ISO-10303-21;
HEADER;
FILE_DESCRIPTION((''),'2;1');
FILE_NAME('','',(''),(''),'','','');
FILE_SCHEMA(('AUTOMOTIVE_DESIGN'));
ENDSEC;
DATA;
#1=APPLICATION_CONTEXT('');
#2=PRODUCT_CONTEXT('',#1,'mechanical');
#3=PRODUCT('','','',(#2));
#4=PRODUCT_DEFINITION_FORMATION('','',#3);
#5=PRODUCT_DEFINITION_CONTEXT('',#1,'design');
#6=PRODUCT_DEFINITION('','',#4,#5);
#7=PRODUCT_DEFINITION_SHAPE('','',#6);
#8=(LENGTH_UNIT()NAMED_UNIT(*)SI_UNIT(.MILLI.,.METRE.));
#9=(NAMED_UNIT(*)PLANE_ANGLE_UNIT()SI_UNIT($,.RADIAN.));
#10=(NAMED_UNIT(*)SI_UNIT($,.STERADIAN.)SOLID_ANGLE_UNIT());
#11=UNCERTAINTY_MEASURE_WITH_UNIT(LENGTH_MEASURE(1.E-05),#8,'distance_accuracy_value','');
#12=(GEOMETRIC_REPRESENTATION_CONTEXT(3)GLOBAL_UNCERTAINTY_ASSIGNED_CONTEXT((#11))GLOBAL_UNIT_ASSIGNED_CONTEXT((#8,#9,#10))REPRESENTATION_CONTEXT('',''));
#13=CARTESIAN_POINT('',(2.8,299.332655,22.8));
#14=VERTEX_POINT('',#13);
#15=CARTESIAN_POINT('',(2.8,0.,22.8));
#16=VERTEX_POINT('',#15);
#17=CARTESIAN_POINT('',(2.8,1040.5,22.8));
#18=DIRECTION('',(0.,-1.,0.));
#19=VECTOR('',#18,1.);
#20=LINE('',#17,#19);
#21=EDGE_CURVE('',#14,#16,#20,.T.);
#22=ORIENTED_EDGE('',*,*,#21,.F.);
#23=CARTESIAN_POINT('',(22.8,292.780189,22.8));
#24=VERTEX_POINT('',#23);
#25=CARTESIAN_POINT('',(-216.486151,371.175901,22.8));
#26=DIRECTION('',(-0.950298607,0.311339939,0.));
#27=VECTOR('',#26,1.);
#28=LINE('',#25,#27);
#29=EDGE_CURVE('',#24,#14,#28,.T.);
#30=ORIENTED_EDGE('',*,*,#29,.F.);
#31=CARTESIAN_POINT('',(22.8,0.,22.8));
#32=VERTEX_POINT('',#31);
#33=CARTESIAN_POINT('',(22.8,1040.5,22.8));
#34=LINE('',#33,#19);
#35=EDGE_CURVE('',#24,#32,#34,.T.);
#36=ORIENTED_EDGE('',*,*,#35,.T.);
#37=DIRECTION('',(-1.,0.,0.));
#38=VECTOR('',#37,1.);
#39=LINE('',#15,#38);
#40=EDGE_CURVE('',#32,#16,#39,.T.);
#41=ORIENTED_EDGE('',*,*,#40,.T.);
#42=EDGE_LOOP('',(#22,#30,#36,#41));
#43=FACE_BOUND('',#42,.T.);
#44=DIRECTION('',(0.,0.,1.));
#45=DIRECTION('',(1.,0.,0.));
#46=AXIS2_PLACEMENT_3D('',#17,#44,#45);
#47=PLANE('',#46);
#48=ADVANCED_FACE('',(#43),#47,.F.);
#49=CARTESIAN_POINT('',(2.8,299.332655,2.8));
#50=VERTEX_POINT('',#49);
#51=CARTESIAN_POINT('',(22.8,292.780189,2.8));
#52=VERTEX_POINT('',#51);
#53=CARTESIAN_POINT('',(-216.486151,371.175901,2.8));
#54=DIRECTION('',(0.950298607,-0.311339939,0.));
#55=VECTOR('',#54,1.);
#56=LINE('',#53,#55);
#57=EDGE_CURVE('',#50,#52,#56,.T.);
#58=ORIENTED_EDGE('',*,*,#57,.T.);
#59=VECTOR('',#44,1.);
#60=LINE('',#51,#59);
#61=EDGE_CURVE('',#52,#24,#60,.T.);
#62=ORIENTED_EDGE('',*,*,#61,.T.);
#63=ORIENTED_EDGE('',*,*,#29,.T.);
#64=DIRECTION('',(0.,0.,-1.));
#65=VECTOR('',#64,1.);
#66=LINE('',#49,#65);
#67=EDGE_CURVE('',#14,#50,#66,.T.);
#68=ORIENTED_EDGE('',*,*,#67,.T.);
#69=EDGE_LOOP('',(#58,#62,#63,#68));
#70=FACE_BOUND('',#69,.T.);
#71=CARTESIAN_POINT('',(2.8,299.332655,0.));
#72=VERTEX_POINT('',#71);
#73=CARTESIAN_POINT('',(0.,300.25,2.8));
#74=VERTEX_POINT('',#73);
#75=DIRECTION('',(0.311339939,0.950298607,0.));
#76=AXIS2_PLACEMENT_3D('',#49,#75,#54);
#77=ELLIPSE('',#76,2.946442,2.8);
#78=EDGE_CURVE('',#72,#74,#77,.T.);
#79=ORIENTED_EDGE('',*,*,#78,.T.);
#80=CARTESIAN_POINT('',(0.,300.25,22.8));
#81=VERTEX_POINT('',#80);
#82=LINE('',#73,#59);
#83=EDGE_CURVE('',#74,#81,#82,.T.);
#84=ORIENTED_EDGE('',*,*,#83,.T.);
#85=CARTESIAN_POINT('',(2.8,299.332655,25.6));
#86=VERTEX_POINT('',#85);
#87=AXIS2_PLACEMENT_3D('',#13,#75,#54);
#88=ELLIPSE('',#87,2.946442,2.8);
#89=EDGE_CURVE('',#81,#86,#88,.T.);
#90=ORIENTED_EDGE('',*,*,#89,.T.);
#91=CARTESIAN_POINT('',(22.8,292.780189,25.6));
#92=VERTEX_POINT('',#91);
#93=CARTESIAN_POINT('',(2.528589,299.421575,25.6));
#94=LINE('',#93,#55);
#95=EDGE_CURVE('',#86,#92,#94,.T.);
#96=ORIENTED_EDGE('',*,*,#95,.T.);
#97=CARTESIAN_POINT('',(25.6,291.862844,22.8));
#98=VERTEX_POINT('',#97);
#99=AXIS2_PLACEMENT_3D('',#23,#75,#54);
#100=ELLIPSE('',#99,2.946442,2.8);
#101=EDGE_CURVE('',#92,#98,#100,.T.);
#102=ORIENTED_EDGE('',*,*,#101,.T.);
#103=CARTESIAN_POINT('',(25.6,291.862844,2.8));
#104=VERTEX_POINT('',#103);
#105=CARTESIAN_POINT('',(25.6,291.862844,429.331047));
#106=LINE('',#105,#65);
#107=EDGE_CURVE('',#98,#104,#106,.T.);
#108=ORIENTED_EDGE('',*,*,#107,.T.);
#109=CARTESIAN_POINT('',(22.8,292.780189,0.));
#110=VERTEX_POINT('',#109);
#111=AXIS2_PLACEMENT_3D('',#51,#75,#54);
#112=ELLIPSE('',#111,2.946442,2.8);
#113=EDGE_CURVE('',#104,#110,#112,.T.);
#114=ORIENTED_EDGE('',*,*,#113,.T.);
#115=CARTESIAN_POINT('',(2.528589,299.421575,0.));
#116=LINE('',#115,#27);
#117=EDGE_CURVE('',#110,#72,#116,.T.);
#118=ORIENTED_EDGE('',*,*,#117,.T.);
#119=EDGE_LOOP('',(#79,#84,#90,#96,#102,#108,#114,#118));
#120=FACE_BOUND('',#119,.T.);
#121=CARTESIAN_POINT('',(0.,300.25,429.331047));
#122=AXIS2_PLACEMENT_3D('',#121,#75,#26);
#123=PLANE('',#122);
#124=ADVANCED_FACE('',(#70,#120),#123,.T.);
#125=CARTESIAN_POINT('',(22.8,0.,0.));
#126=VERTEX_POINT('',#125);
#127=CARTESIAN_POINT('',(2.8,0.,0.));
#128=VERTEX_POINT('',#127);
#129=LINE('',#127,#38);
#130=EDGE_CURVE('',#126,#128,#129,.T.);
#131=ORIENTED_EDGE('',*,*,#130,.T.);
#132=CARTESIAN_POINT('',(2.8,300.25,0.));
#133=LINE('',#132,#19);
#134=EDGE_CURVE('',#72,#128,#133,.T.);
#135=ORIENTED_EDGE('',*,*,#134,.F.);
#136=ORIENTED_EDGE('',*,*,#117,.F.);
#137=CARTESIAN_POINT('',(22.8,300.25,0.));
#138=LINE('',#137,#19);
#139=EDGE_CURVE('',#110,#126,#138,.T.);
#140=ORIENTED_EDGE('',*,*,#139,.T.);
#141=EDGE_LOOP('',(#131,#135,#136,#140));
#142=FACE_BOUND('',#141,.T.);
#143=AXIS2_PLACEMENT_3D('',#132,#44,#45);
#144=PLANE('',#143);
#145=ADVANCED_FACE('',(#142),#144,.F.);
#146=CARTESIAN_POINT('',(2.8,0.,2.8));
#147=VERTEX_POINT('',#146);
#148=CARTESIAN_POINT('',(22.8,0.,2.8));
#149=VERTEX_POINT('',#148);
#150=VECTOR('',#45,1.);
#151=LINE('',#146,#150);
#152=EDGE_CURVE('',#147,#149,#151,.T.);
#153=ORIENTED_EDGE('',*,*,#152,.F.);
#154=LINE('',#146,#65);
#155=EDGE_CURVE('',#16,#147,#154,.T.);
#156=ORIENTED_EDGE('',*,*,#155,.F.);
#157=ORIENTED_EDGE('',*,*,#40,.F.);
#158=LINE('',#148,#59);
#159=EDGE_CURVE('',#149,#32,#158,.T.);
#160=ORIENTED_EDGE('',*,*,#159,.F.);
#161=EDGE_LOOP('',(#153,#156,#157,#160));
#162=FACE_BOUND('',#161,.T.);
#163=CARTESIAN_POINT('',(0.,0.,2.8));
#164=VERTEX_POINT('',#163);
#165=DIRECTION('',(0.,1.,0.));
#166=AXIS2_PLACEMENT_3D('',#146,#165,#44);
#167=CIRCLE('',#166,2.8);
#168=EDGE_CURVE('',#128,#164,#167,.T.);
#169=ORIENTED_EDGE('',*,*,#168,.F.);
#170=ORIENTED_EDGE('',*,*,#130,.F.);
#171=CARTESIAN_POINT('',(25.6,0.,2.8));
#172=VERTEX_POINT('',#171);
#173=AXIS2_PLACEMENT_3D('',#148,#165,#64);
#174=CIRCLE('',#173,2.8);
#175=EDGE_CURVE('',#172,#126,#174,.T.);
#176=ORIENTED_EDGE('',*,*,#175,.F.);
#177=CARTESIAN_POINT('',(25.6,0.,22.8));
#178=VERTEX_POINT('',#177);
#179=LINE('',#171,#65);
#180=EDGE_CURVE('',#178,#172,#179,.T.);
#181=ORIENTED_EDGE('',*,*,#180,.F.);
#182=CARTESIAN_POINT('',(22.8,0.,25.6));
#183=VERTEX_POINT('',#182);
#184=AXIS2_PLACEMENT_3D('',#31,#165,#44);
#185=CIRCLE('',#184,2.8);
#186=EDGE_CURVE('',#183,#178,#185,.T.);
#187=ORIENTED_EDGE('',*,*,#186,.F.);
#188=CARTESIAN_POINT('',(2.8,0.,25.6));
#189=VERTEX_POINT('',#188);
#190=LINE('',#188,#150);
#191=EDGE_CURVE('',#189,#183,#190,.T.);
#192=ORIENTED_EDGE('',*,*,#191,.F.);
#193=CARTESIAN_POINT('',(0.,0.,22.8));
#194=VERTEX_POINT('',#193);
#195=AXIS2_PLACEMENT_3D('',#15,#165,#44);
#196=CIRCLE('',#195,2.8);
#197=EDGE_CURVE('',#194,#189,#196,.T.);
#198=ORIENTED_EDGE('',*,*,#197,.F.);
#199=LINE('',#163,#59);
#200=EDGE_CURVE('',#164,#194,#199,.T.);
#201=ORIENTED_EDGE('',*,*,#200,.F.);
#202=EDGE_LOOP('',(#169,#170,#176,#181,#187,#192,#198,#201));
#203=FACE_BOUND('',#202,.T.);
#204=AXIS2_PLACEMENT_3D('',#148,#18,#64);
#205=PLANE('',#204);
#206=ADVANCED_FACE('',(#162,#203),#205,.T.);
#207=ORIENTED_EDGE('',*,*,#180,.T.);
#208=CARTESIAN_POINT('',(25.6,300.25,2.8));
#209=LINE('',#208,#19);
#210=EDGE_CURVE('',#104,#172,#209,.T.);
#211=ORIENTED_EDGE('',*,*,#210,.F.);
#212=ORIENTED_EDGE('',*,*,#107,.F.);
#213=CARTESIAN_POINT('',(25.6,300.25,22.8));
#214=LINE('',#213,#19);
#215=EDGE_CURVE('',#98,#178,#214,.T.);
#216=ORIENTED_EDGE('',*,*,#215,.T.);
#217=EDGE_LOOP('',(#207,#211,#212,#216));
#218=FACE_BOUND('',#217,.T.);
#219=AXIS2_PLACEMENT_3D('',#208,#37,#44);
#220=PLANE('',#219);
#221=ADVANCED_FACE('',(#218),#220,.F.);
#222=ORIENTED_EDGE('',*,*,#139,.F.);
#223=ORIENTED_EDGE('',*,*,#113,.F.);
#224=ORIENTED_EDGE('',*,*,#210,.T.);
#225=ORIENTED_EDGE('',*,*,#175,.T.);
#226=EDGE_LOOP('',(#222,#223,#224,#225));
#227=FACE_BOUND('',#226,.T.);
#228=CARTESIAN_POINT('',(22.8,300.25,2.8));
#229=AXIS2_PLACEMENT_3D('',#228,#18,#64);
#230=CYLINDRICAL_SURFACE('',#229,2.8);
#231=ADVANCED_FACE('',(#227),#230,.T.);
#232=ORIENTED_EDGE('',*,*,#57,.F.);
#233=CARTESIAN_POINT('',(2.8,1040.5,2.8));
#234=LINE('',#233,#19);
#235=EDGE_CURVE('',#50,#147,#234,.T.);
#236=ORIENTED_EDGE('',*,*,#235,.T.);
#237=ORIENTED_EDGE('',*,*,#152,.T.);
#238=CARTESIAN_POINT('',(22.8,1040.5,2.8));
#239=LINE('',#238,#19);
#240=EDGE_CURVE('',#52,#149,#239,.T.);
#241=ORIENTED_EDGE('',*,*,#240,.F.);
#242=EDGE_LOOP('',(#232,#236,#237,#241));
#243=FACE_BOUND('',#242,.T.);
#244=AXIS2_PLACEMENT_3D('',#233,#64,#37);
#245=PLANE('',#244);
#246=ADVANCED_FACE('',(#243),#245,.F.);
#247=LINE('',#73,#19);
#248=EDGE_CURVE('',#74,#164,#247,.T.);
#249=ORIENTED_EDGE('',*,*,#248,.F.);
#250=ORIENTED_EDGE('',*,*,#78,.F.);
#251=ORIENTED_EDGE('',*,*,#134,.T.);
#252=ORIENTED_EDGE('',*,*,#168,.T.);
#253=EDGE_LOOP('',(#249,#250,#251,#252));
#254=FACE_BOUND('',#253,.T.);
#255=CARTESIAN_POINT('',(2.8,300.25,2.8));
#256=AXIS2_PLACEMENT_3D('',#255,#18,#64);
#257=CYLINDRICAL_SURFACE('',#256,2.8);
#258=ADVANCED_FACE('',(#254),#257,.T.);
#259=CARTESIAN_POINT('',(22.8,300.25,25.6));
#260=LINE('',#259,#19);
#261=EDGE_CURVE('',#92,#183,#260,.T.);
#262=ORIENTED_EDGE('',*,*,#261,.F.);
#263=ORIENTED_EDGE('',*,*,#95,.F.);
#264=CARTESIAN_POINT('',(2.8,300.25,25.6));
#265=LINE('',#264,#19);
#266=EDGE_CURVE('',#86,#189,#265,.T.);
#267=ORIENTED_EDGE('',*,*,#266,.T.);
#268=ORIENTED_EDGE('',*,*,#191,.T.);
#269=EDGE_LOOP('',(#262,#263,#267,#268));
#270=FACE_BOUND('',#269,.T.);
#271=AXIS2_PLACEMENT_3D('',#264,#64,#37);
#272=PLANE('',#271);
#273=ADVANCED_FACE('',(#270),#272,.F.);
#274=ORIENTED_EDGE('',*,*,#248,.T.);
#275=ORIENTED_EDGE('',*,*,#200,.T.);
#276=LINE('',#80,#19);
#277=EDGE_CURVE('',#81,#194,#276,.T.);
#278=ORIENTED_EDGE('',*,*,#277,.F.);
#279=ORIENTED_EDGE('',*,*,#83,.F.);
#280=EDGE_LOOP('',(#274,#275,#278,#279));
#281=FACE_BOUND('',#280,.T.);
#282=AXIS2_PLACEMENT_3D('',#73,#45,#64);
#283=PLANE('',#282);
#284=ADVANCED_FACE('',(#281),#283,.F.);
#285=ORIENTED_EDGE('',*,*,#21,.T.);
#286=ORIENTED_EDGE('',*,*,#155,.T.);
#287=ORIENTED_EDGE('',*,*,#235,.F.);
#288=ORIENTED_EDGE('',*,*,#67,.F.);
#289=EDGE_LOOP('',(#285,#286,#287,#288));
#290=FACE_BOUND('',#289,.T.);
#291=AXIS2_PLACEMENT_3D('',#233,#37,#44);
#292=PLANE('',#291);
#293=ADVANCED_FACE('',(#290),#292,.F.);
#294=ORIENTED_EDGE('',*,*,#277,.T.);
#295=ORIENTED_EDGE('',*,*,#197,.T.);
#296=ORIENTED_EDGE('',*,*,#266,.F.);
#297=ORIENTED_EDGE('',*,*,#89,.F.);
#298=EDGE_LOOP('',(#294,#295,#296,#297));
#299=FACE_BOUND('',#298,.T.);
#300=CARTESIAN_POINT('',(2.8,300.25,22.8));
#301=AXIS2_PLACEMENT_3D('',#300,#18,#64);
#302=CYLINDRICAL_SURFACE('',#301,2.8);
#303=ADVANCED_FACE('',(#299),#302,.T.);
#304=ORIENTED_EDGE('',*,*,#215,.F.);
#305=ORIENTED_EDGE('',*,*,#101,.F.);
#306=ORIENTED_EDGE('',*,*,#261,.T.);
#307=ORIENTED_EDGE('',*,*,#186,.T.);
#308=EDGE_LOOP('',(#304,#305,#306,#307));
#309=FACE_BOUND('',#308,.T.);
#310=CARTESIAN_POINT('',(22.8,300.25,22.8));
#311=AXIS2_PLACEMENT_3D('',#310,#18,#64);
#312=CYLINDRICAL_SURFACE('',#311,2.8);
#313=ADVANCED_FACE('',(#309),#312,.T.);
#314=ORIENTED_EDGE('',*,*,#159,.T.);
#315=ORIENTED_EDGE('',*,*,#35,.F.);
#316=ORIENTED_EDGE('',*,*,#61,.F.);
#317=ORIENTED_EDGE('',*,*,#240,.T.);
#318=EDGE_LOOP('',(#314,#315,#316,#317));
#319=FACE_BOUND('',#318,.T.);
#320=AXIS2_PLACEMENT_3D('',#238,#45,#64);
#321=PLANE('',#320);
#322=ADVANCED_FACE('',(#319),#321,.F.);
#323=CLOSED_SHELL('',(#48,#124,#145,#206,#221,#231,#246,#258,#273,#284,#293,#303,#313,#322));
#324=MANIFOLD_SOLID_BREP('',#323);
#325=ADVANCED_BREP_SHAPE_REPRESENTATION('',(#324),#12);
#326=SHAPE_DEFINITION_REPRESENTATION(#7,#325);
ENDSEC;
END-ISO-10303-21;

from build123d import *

# Parameters (mm, degrees)
BOSS_EXTRUDE1_DEPTH     = 300.25
SKETCH3_W               = 20
SKETCH3_H               = 20
CUT_EXTRUDE1_DEPTH      = 1040.5
CUT_EXTRUDE2_DEPTH      = 303.20069904
CUT_EXTRUDE2_DEPTH_BACK = 303.20069904


with BuildPart() as part:
    # Sketch1 → Boss-Extrude1 (new body)
    with BuildSketch(Plane(origin=(0, 0, 0), x_dir=(1, 0, 0), z_dir=(0, 1, 0))):
        with BuildLine():
            Line((2.8, 0), (22.8, 0))
            ThreePointArc((22.8, 0), (24.779898987, -0.820101013), (25.6, -2.8))
            Line((25.6, -2.8), (25.6, -22.8))
            ThreePointArc((25.6, -22.8), (24.779898987, -24.779898987), (22.8, -25.6))
            Line((22.8, -25.6), (2.8, -25.6))
            ThreePointArc((2.8, -25.6), (0.820101013, -24.779898987), (0, -22.8))
            Line((0, -22.8), (0, -2.8))
            ThreePointArc((0, -2.8), (0.820101013, -0.820101013), (2.8, 0))
        make_face()
    extrude(amount=BOSS_EXTRUDE1_DEPTH)

    # Sketch3 → Cut-Extrude1 (cut)
    with BuildSketch(Plane(origin=(0, 0, 0), x_dir=(-1, 0, 0), z_dir=(0, -1, 0))):
        with Locations((-12.8, -12.8)):
            Rectangle(SKETCH3_W, SKETCH3_H)
    extrude(amount=-CUT_EXTRUDE1_DEPTH, mode=Mode.SUBTRACT)

    # Sketch4 → Cut-Extrude2 (cut, two sides: drawn at the far end of the back side and taken through both)
    with BuildSketch(Plane.XY.offset(22.8).offset(-CUT_EXTRUDE2_DEPTH_BACK)):
        Polygon((-582.227773903, 491.001368364), (0, 300.25), (25.6, 291.862844236), (607.827773903, 101.111475872), (989.330510631, 1265.567023678), (-200.725037175, 1655.456916171), align=None)
    extrude(amount=CUT_EXTRUDE2_DEPTH + CUT_EXTRUDE2_DEPTH_BACK, mode=Mode.SUBTRACT)


solid = part.part
